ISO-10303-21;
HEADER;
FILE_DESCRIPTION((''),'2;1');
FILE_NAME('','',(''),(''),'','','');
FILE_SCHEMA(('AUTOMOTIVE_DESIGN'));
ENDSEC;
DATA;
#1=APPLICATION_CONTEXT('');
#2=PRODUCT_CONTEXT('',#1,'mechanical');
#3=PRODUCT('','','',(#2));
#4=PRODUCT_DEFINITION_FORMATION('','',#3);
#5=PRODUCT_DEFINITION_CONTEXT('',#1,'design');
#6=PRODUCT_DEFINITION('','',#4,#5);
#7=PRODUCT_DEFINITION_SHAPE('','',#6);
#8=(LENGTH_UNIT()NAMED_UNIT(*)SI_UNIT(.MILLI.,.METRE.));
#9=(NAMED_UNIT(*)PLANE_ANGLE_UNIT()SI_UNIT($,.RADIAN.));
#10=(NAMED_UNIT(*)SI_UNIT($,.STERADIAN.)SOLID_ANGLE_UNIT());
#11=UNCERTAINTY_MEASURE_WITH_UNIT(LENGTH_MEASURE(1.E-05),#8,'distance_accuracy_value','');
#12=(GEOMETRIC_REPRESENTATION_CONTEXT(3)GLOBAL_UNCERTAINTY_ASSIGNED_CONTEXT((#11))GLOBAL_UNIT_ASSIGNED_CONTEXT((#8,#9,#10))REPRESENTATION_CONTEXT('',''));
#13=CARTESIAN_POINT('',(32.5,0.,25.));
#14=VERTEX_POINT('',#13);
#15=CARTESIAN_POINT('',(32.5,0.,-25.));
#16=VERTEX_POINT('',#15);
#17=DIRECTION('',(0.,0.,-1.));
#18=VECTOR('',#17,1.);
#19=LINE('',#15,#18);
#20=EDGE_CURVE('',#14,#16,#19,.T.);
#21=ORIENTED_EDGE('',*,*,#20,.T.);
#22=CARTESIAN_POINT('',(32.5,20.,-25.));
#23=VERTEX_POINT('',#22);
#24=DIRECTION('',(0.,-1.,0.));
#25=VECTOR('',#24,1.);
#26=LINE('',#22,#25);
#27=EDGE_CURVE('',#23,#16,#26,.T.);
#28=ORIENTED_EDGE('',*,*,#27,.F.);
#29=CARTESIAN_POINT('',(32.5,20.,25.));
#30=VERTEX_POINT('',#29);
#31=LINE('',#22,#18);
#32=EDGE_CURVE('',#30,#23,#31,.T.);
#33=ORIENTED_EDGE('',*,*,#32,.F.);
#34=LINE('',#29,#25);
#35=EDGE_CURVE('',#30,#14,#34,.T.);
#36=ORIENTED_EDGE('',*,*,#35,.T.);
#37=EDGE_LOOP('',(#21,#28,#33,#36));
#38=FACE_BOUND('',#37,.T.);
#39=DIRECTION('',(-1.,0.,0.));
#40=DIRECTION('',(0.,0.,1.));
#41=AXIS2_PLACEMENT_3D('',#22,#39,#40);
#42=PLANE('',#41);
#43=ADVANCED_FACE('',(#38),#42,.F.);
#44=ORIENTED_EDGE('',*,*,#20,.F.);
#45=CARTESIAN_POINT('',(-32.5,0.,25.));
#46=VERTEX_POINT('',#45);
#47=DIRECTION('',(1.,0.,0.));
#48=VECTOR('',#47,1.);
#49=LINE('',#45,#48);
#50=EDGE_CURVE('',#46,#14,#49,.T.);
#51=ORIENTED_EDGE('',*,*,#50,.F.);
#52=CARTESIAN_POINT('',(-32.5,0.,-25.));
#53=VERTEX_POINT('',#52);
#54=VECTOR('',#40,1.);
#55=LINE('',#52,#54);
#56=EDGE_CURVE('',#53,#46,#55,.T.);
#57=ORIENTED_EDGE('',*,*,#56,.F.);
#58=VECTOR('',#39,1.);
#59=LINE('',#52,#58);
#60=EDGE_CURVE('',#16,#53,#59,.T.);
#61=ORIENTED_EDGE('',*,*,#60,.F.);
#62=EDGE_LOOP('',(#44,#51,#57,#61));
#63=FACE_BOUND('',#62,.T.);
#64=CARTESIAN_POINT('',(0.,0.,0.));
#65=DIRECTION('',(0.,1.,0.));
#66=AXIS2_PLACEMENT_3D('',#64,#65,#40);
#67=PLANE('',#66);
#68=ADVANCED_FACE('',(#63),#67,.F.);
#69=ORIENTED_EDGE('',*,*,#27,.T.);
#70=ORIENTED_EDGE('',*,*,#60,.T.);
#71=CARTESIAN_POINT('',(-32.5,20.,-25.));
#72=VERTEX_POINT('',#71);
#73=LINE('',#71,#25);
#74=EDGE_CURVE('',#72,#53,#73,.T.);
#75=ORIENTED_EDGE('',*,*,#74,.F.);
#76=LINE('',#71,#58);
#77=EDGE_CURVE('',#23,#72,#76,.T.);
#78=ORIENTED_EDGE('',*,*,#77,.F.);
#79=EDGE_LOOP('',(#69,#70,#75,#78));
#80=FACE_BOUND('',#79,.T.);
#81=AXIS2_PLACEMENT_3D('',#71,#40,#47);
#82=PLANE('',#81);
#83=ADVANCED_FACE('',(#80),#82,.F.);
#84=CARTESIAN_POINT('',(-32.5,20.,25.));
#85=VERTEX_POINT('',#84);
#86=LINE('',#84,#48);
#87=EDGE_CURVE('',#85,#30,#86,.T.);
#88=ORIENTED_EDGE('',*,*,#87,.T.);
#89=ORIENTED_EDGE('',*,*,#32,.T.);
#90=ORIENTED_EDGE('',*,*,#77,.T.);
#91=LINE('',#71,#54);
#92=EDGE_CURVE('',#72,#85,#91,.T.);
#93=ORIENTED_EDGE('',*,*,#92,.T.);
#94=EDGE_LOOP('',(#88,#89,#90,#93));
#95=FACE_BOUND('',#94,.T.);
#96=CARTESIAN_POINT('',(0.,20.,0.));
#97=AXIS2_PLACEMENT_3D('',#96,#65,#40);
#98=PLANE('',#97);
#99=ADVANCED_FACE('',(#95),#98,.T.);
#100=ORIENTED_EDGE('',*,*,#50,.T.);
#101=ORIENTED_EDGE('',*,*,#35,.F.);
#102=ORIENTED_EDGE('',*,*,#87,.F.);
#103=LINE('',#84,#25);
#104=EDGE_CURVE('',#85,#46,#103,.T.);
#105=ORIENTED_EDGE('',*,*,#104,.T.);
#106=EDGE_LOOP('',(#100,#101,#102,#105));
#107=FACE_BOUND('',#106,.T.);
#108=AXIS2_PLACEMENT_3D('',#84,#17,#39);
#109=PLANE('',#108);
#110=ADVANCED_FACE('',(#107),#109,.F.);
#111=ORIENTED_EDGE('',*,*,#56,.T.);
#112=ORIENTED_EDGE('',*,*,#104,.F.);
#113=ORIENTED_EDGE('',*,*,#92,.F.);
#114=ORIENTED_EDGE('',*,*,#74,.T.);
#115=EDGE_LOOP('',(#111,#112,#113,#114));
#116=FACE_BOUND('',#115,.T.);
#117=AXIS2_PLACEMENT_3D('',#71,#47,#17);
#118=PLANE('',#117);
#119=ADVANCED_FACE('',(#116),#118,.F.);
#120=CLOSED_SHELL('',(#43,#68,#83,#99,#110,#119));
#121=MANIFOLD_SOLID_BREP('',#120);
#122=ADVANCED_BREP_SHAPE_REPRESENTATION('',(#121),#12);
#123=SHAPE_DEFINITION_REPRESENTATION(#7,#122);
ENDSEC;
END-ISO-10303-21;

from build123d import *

# Parameters (mm, degrees)
SKETCH_1_W      = 65
SKETCH_1_H      = 50
EXTRUDE_1_DEPTH = 20


with BuildPart() as part:
    # 草图1 → 凸台-拉伸1 (new body)
    with BuildSketch(Plane(origin=(0, 0, 0), x_dir=(1, 0, 0), z_dir=(0, 1, 0))):
        Rectangle(SKETCH_1_W, SKETCH_1_H)
    extrude(amount=EXTRUDE_1_DEPTH)


solid = part.part
